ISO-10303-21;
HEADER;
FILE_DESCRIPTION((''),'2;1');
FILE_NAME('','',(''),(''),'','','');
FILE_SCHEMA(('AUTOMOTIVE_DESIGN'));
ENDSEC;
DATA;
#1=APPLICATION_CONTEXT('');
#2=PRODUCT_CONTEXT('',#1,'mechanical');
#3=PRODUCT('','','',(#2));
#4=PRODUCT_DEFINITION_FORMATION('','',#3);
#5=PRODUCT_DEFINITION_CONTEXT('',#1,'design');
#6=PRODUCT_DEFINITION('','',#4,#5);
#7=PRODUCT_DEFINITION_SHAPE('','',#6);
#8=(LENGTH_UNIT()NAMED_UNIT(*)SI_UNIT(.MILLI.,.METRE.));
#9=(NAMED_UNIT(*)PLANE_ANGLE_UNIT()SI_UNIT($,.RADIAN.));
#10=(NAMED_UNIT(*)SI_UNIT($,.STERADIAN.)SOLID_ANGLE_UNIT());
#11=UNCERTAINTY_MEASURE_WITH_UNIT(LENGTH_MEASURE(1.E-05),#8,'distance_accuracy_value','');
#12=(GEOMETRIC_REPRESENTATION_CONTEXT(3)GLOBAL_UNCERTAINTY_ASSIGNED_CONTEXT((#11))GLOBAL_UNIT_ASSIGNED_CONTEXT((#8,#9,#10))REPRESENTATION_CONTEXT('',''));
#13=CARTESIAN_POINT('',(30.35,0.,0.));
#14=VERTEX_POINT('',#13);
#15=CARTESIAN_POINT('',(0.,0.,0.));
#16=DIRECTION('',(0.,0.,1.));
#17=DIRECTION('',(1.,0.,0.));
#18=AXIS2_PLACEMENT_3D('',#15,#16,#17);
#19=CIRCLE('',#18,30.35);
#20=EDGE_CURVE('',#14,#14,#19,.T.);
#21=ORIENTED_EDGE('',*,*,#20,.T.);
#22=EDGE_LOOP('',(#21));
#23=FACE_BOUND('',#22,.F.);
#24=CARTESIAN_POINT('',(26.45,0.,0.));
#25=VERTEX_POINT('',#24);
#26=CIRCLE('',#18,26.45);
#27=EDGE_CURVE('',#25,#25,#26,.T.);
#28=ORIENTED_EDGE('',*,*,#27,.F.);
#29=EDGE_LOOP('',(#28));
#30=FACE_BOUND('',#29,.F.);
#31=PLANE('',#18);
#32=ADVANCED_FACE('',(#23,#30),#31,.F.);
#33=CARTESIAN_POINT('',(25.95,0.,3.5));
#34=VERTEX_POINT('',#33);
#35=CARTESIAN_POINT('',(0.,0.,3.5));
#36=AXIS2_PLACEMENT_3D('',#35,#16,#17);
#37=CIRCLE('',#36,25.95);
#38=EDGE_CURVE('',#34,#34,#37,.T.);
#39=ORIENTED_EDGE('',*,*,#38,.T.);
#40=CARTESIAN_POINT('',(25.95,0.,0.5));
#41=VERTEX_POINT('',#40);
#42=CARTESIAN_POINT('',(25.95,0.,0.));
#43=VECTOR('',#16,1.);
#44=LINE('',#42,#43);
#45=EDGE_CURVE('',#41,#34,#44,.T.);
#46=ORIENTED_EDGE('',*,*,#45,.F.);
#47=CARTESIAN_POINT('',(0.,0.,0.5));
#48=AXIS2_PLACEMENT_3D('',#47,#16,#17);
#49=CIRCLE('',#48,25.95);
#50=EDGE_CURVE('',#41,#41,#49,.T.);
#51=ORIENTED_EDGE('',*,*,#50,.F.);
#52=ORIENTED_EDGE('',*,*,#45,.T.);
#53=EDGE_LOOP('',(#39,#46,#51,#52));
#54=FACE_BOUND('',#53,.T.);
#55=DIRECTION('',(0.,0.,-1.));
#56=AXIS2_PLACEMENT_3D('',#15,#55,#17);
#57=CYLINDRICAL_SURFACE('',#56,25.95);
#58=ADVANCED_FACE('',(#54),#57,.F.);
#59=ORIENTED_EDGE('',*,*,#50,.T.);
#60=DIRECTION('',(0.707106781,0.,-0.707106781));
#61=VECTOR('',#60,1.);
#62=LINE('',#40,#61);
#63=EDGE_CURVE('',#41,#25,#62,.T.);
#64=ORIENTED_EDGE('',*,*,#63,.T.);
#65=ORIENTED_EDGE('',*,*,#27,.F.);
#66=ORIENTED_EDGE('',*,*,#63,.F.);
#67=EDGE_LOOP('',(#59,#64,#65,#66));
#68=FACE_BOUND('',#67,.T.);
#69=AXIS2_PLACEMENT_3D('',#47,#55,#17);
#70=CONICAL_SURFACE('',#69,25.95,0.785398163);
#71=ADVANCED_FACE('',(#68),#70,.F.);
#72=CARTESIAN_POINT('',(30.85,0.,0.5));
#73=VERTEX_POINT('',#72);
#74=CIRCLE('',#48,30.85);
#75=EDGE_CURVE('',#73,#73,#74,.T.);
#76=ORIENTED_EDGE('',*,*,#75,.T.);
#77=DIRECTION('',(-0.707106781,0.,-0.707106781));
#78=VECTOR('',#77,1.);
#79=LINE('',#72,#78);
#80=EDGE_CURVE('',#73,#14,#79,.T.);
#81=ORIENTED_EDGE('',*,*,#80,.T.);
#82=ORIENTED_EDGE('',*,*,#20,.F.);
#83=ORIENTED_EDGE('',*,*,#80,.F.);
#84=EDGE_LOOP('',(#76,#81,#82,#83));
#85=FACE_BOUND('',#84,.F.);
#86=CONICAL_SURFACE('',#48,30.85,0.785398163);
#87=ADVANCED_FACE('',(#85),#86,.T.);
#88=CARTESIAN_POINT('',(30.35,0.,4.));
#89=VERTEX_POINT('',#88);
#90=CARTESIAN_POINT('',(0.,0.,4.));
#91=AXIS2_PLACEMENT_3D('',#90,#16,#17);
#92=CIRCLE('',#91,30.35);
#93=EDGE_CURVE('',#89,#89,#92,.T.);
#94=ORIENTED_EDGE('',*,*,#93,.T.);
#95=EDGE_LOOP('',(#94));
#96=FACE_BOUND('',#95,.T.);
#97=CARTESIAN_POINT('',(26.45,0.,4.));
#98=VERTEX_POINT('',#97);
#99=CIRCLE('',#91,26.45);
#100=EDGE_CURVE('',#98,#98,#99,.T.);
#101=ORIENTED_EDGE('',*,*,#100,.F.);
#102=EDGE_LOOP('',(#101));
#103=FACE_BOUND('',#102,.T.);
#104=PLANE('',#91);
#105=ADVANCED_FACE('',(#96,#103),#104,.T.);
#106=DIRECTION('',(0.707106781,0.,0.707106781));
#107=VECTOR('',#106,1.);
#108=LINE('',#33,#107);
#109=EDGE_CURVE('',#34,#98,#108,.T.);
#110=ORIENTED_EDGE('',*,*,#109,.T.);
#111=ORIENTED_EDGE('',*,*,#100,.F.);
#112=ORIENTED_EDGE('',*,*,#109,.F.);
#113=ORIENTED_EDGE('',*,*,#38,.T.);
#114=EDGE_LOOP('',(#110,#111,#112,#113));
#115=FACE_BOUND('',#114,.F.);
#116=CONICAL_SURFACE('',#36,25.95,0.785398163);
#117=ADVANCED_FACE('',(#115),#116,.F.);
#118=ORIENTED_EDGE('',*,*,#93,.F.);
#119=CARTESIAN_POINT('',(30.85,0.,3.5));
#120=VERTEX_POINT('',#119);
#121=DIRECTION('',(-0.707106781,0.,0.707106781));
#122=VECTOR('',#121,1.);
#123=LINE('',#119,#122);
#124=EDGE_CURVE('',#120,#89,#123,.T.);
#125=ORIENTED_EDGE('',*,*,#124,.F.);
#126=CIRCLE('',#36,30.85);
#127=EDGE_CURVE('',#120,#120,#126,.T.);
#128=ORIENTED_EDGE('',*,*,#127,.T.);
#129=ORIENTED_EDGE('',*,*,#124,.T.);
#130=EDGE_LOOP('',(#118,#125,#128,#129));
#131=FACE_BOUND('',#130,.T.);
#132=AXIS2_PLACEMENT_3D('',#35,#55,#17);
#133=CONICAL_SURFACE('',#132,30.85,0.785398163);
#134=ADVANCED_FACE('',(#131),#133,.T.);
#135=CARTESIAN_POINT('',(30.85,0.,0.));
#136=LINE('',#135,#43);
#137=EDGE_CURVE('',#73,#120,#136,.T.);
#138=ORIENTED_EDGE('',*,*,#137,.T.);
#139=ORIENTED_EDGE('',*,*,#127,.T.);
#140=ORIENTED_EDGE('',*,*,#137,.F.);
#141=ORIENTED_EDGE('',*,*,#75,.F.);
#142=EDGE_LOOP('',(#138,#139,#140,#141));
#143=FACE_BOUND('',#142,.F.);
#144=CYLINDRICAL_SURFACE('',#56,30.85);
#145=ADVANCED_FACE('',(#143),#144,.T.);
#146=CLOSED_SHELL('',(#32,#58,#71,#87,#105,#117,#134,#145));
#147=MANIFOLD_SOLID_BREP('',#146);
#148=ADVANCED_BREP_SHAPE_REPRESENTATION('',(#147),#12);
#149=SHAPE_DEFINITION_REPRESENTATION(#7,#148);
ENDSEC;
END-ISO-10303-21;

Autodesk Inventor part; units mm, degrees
ref_plane "YZ Plane" through (0, 0, 0) normal (1, 0, 0) x (0, 1, 0)
ref_plane "XZ Plane" through (0, 0, 0) normal (0, 1, 0) x (-1, 0, 0)
ref_plane "XY Plane" through (0, 0, 0) normal (0, 0, 1) x (1, 0, 0)
sketch "草图1" plane through (0, 0, 0) normal (0, 0, 1) x (1, 0, 0)
  circle A0 centre (0, 0) radius 30.85
  circle A1 centre (0, 0) radius 25.95
extrude "拉伸1" add sketch "草图1" along normal blind 4
chamfer "倒角1" distance 0.5 angle 45 4 edges at (-25.95, 0, 4) (-25.95, 0, 0) (-30.85, 0, 4) (-30.85, 0, 0)
properties part number "my_attempt_v2"
